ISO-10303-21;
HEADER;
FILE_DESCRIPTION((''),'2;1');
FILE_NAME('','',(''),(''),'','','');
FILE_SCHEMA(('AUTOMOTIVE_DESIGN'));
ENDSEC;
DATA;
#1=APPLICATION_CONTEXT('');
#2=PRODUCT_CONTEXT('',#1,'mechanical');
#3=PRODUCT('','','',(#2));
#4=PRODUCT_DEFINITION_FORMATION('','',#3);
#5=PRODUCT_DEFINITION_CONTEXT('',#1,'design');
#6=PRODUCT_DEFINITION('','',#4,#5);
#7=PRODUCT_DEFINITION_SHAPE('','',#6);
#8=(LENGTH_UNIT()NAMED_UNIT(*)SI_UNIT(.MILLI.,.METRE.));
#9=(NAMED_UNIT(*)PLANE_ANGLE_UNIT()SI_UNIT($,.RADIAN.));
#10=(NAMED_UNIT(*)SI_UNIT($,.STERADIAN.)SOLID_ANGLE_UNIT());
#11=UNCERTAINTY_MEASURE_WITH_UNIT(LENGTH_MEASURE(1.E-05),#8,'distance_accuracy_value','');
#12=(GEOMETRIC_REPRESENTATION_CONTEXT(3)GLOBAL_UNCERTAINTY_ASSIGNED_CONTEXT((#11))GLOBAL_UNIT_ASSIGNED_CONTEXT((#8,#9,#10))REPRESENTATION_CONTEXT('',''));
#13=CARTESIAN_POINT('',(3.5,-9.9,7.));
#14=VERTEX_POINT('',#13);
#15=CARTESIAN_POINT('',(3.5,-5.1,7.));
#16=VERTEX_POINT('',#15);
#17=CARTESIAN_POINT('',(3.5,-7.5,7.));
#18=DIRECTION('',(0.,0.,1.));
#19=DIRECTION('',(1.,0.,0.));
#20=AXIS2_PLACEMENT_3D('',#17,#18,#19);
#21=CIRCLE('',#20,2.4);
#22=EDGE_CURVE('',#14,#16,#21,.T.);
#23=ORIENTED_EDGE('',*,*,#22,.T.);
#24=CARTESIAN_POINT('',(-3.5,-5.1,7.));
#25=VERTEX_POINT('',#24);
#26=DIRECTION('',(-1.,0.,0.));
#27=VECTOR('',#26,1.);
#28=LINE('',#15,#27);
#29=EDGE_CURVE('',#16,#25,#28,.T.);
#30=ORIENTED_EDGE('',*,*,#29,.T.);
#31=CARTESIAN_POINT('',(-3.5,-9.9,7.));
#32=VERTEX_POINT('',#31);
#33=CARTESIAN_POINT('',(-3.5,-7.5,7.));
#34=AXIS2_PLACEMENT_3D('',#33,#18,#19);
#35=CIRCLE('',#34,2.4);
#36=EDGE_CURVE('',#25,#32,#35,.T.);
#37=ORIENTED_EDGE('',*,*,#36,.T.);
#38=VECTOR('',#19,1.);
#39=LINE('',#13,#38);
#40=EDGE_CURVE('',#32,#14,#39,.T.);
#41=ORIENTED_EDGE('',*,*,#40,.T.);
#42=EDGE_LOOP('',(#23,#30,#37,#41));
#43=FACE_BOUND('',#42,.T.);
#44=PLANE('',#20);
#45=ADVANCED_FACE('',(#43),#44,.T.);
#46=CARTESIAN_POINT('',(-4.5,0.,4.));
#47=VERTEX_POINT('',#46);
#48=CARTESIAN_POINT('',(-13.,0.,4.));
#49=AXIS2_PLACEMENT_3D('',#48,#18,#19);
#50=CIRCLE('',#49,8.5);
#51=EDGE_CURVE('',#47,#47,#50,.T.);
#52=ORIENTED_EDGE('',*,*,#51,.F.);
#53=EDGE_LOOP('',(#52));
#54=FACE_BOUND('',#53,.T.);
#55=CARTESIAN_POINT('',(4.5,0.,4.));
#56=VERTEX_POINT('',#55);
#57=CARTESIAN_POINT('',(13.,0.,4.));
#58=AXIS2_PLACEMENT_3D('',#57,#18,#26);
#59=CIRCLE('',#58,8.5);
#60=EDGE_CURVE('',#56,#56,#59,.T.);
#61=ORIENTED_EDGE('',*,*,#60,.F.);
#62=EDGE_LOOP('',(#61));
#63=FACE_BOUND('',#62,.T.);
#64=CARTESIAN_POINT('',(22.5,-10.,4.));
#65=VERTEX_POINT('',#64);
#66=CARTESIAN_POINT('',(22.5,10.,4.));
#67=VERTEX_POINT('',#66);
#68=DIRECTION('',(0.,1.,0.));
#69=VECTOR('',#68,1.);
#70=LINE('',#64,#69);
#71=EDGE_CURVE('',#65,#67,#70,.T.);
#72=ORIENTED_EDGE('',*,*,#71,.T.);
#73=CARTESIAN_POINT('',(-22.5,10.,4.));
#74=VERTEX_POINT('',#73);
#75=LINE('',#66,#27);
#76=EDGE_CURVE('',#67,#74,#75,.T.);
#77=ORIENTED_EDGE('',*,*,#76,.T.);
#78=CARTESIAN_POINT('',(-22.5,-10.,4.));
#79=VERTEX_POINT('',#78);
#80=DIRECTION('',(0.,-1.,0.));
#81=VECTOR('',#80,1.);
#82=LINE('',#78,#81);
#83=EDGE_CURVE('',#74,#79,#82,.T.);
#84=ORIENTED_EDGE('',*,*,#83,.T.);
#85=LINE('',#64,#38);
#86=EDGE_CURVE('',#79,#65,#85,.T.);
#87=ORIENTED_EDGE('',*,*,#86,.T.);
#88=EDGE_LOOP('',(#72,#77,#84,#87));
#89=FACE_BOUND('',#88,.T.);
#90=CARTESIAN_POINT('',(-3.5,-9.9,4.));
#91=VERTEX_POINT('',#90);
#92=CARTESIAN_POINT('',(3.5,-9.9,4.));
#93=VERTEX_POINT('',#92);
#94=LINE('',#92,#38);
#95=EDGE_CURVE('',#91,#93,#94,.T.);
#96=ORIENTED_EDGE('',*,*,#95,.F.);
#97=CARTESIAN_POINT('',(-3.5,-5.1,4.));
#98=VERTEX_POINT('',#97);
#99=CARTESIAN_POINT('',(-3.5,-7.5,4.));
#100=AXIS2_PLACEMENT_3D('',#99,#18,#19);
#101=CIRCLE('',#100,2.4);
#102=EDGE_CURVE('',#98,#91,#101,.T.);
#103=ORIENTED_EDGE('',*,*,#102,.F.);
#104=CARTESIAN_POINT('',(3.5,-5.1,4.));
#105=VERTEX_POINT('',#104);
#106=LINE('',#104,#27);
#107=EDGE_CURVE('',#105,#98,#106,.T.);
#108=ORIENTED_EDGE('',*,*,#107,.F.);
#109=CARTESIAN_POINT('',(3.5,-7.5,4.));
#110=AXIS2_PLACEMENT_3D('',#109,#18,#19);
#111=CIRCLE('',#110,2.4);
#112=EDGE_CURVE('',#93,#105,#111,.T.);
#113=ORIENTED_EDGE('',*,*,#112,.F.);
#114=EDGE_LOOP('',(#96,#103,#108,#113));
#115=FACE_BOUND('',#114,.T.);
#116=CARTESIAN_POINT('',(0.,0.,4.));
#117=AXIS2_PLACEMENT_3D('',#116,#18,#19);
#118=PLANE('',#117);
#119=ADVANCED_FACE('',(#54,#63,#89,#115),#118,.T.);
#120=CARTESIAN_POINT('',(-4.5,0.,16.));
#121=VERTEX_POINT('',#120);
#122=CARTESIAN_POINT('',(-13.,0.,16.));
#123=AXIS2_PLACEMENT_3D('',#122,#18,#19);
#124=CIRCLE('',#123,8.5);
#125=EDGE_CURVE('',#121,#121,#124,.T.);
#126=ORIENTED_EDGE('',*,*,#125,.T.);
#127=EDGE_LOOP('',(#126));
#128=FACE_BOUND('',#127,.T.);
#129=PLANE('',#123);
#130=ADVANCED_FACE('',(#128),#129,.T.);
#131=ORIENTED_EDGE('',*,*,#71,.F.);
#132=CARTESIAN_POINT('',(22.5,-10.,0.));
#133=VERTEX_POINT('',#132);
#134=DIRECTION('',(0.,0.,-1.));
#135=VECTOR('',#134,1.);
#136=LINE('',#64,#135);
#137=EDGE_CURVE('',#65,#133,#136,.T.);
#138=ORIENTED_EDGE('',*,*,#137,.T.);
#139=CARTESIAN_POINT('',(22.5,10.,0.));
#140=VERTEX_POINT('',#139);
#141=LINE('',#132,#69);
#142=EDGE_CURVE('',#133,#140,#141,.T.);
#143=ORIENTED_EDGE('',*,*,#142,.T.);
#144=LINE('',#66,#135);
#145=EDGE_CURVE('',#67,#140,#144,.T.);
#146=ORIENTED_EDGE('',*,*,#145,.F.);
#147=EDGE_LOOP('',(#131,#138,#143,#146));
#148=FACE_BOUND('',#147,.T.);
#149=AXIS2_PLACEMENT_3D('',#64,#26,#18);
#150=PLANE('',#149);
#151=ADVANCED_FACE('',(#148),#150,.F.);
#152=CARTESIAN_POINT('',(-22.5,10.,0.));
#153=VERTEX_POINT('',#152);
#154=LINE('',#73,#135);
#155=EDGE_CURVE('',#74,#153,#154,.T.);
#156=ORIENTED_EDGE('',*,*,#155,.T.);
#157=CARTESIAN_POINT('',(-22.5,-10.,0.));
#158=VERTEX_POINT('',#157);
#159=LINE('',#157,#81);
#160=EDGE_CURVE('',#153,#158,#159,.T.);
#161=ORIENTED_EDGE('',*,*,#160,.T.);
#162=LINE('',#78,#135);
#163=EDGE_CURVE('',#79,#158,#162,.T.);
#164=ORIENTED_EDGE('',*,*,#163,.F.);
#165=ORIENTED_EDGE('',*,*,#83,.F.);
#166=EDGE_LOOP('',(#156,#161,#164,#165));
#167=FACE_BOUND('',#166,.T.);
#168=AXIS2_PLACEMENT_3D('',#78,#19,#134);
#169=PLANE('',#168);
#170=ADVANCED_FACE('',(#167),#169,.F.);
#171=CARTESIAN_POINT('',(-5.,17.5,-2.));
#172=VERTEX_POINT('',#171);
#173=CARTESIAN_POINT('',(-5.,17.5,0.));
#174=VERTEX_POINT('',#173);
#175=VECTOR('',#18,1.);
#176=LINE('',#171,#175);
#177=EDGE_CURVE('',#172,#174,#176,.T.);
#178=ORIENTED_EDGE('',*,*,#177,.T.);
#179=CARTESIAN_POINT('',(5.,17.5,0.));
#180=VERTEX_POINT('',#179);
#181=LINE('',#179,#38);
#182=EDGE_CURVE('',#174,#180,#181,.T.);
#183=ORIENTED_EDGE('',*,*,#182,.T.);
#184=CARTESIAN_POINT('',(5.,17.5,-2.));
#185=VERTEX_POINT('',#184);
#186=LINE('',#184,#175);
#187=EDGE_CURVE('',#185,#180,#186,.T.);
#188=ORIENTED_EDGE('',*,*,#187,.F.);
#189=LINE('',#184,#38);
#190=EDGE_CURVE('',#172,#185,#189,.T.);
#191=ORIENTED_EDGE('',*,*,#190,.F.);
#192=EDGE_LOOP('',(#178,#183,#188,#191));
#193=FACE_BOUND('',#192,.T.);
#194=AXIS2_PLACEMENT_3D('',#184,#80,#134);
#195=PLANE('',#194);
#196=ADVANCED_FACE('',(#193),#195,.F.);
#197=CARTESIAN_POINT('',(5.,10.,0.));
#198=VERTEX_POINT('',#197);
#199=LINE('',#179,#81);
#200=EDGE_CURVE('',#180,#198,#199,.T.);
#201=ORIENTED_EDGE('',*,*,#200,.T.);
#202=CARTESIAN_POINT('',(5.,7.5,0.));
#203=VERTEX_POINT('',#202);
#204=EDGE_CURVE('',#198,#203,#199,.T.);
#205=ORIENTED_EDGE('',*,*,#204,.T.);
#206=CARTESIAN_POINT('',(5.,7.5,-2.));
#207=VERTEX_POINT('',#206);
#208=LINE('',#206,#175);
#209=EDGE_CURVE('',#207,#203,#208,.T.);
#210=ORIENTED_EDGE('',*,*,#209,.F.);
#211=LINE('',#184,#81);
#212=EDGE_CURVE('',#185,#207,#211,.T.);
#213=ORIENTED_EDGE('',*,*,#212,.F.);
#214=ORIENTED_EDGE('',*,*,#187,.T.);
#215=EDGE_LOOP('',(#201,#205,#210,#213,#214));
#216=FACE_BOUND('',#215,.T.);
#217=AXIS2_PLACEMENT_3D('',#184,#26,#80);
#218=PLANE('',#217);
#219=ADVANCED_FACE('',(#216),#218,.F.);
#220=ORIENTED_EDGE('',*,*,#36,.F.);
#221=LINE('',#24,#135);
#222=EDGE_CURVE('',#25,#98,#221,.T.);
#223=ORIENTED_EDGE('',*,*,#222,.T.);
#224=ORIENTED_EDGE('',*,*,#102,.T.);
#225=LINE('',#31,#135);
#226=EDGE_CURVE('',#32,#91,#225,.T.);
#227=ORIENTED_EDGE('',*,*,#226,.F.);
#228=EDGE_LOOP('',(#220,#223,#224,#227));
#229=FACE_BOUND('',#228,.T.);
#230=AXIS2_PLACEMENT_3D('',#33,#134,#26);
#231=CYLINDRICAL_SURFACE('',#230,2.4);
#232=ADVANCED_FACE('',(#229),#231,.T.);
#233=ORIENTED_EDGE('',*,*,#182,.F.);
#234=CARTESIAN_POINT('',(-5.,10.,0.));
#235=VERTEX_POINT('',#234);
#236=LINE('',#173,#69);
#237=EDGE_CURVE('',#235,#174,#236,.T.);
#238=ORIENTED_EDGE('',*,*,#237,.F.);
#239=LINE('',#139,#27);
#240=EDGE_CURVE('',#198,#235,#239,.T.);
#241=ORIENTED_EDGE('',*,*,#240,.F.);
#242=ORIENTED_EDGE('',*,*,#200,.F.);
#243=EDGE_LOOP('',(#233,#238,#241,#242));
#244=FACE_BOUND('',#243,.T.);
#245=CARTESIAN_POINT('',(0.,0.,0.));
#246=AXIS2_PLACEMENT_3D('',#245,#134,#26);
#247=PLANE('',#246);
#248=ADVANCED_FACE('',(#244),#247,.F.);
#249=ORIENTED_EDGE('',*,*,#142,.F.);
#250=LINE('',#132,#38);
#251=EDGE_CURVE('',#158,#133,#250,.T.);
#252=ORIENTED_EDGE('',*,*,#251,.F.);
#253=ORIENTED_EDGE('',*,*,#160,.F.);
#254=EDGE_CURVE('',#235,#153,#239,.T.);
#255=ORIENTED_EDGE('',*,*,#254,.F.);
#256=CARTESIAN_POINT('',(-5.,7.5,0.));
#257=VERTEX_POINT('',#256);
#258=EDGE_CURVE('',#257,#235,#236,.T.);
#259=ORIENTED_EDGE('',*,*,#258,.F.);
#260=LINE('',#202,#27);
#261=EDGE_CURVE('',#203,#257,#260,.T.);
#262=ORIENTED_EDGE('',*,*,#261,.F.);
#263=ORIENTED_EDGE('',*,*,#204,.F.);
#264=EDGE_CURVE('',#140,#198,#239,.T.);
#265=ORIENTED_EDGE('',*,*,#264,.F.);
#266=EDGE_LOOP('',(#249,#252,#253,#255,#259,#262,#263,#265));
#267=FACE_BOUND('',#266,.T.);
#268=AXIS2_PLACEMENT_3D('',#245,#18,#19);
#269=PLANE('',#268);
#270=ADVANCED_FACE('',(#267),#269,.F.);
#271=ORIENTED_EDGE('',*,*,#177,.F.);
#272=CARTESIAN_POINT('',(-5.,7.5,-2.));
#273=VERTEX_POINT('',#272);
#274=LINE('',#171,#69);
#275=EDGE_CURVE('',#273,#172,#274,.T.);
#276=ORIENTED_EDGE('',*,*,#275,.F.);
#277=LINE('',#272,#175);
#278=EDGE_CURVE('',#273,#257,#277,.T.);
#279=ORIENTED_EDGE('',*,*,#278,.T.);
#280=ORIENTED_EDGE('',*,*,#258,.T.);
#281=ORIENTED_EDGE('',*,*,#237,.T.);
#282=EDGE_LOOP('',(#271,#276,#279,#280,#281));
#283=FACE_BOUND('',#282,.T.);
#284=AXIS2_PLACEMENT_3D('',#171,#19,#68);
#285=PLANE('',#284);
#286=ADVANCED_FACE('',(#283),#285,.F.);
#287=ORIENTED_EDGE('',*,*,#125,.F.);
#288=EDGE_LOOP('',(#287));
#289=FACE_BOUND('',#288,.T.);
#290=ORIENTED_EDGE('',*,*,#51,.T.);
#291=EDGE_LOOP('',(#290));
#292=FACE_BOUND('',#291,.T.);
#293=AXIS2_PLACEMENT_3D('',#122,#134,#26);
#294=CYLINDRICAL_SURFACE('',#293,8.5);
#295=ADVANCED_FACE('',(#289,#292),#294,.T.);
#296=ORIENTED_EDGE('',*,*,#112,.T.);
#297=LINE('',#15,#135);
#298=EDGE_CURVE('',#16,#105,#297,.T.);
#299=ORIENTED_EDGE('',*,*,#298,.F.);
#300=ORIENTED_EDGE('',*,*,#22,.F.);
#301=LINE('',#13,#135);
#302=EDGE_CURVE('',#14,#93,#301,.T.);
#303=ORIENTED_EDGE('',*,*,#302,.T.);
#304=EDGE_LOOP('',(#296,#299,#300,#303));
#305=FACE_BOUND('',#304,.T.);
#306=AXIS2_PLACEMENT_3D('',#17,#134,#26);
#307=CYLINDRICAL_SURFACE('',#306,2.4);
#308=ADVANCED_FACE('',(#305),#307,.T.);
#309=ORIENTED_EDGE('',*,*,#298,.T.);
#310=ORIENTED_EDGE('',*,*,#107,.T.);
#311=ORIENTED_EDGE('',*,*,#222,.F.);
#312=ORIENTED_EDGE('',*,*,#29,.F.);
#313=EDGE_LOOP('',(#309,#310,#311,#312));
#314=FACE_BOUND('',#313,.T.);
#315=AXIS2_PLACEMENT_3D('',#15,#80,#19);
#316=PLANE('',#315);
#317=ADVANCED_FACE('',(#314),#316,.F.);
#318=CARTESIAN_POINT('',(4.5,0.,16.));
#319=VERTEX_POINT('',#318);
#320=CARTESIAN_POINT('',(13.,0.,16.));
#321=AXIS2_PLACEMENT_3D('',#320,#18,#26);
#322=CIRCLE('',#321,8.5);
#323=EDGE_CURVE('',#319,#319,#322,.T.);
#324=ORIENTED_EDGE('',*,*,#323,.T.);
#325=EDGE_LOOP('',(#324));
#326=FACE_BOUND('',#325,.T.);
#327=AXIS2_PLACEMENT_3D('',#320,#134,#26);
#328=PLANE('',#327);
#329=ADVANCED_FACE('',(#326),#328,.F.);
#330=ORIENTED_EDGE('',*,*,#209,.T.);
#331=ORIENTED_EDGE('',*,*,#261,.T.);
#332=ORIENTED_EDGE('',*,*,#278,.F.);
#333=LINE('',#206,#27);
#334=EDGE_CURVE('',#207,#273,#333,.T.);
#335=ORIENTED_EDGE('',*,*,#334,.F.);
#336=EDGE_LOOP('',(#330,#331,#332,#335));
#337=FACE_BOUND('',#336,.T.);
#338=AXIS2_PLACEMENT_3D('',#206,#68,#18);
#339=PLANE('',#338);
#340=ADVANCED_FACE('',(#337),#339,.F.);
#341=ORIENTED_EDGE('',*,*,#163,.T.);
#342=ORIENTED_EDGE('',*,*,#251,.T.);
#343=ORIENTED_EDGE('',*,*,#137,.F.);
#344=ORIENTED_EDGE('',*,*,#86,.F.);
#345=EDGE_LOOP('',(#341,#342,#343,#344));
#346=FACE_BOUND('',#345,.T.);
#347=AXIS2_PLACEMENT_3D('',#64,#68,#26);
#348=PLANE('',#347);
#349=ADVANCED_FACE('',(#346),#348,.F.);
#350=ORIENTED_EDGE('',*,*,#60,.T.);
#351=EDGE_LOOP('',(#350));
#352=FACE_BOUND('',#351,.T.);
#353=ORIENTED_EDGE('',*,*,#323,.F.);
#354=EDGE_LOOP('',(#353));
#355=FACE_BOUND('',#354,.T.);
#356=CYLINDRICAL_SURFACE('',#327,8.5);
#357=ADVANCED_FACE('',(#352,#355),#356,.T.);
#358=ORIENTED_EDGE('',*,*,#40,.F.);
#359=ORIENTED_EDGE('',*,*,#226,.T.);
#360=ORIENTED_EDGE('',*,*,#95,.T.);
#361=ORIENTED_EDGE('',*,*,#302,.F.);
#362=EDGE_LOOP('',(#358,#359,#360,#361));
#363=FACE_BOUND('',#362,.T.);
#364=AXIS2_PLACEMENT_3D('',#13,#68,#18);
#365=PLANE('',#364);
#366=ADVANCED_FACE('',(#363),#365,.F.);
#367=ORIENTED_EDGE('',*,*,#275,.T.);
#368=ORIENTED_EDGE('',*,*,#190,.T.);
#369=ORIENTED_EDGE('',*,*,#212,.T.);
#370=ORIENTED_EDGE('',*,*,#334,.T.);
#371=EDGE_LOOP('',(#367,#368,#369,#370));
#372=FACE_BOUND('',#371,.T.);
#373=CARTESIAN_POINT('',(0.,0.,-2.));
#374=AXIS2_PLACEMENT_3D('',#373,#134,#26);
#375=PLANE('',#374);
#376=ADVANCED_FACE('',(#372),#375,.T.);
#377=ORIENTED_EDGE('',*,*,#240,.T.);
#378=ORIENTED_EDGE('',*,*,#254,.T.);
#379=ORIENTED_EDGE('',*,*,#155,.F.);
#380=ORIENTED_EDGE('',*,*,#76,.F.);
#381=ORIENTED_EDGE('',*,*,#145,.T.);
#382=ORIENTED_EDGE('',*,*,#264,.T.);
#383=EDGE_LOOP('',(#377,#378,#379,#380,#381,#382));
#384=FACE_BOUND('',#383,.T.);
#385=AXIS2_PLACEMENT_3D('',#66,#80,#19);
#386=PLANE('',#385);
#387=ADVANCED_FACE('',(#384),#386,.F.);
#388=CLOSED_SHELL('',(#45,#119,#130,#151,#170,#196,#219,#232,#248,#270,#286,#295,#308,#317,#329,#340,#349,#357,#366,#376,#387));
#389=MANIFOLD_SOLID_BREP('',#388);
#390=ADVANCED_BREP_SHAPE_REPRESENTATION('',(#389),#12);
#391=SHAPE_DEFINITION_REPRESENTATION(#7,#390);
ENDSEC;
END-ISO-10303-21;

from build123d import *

# Parameters (mm, degrees)
SKETCH1_W           = 45
SKETCH1_H           = 20
BOSS_EXTRUDE1_DEPTH = 4
SKETCH2_W           = 10
SKETCH2_H           = 10
BOSS_EXTRUDE2_DEPTH = 2
SKETCH3_R           = 8.5
BOSS_EXTRUDE3_DEPTH = 12
BOSS_EXTRUDE4_DEPTH = 3


with BuildPart() as part:
    # Sketch1 → Boss-Extrude1 (new body)
    with BuildSketch(Plane.XY):
        Rectangle(SKETCH1_W, SKETCH1_H)
    extrude(amount=BOSS_EXTRUDE1_DEPTH)

    # Sketch2 → Boss-Extrude2 (add)
    with BuildSketch(Plane(origin=(0, 0, 0), x_dir=(-1, 0, 0), z_dir=(0, 0, -1))):
        with Locations((0, 12.5)):
            Rectangle(SKETCH2_W, SKETCH2_H)
    extrude(amount=BOSS_EXTRUDE2_DEPTH)

    # Sketch3 → Boss-Extrude3 (add)
    with BuildSketch(Plane.XY.offset(4)):
        with Locations((-13, 0)):
            Circle(SKETCH3_R)
        with Locations(Location((13, 0, 0), (0, 0, 180))):
            Circle(SKETCH3_R)
    extrude(amount=BOSS_EXTRUDE3_DEPTH)

    # Sketch4 → Boss-Extrude4 (add)
    with BuildSketch(Plane.XY.offset(4)):
        with BuildLine():
            Line((3.5, -9.9), (-3.5, -9.9))
            ThreePointArc((-3.5, -9.9), (-5.9, -7.5), (-3.5, -5.1))
            Line((-3.5, -5.1), (3.5, -5.1))
            ThreePointArc((3.5, -5.1), (5.9, -7.5), (3.5, -9.9))
        make_face()
    extrude(amount=BOSS_EXTRUDE4_DEPTH)


solid = part.part
